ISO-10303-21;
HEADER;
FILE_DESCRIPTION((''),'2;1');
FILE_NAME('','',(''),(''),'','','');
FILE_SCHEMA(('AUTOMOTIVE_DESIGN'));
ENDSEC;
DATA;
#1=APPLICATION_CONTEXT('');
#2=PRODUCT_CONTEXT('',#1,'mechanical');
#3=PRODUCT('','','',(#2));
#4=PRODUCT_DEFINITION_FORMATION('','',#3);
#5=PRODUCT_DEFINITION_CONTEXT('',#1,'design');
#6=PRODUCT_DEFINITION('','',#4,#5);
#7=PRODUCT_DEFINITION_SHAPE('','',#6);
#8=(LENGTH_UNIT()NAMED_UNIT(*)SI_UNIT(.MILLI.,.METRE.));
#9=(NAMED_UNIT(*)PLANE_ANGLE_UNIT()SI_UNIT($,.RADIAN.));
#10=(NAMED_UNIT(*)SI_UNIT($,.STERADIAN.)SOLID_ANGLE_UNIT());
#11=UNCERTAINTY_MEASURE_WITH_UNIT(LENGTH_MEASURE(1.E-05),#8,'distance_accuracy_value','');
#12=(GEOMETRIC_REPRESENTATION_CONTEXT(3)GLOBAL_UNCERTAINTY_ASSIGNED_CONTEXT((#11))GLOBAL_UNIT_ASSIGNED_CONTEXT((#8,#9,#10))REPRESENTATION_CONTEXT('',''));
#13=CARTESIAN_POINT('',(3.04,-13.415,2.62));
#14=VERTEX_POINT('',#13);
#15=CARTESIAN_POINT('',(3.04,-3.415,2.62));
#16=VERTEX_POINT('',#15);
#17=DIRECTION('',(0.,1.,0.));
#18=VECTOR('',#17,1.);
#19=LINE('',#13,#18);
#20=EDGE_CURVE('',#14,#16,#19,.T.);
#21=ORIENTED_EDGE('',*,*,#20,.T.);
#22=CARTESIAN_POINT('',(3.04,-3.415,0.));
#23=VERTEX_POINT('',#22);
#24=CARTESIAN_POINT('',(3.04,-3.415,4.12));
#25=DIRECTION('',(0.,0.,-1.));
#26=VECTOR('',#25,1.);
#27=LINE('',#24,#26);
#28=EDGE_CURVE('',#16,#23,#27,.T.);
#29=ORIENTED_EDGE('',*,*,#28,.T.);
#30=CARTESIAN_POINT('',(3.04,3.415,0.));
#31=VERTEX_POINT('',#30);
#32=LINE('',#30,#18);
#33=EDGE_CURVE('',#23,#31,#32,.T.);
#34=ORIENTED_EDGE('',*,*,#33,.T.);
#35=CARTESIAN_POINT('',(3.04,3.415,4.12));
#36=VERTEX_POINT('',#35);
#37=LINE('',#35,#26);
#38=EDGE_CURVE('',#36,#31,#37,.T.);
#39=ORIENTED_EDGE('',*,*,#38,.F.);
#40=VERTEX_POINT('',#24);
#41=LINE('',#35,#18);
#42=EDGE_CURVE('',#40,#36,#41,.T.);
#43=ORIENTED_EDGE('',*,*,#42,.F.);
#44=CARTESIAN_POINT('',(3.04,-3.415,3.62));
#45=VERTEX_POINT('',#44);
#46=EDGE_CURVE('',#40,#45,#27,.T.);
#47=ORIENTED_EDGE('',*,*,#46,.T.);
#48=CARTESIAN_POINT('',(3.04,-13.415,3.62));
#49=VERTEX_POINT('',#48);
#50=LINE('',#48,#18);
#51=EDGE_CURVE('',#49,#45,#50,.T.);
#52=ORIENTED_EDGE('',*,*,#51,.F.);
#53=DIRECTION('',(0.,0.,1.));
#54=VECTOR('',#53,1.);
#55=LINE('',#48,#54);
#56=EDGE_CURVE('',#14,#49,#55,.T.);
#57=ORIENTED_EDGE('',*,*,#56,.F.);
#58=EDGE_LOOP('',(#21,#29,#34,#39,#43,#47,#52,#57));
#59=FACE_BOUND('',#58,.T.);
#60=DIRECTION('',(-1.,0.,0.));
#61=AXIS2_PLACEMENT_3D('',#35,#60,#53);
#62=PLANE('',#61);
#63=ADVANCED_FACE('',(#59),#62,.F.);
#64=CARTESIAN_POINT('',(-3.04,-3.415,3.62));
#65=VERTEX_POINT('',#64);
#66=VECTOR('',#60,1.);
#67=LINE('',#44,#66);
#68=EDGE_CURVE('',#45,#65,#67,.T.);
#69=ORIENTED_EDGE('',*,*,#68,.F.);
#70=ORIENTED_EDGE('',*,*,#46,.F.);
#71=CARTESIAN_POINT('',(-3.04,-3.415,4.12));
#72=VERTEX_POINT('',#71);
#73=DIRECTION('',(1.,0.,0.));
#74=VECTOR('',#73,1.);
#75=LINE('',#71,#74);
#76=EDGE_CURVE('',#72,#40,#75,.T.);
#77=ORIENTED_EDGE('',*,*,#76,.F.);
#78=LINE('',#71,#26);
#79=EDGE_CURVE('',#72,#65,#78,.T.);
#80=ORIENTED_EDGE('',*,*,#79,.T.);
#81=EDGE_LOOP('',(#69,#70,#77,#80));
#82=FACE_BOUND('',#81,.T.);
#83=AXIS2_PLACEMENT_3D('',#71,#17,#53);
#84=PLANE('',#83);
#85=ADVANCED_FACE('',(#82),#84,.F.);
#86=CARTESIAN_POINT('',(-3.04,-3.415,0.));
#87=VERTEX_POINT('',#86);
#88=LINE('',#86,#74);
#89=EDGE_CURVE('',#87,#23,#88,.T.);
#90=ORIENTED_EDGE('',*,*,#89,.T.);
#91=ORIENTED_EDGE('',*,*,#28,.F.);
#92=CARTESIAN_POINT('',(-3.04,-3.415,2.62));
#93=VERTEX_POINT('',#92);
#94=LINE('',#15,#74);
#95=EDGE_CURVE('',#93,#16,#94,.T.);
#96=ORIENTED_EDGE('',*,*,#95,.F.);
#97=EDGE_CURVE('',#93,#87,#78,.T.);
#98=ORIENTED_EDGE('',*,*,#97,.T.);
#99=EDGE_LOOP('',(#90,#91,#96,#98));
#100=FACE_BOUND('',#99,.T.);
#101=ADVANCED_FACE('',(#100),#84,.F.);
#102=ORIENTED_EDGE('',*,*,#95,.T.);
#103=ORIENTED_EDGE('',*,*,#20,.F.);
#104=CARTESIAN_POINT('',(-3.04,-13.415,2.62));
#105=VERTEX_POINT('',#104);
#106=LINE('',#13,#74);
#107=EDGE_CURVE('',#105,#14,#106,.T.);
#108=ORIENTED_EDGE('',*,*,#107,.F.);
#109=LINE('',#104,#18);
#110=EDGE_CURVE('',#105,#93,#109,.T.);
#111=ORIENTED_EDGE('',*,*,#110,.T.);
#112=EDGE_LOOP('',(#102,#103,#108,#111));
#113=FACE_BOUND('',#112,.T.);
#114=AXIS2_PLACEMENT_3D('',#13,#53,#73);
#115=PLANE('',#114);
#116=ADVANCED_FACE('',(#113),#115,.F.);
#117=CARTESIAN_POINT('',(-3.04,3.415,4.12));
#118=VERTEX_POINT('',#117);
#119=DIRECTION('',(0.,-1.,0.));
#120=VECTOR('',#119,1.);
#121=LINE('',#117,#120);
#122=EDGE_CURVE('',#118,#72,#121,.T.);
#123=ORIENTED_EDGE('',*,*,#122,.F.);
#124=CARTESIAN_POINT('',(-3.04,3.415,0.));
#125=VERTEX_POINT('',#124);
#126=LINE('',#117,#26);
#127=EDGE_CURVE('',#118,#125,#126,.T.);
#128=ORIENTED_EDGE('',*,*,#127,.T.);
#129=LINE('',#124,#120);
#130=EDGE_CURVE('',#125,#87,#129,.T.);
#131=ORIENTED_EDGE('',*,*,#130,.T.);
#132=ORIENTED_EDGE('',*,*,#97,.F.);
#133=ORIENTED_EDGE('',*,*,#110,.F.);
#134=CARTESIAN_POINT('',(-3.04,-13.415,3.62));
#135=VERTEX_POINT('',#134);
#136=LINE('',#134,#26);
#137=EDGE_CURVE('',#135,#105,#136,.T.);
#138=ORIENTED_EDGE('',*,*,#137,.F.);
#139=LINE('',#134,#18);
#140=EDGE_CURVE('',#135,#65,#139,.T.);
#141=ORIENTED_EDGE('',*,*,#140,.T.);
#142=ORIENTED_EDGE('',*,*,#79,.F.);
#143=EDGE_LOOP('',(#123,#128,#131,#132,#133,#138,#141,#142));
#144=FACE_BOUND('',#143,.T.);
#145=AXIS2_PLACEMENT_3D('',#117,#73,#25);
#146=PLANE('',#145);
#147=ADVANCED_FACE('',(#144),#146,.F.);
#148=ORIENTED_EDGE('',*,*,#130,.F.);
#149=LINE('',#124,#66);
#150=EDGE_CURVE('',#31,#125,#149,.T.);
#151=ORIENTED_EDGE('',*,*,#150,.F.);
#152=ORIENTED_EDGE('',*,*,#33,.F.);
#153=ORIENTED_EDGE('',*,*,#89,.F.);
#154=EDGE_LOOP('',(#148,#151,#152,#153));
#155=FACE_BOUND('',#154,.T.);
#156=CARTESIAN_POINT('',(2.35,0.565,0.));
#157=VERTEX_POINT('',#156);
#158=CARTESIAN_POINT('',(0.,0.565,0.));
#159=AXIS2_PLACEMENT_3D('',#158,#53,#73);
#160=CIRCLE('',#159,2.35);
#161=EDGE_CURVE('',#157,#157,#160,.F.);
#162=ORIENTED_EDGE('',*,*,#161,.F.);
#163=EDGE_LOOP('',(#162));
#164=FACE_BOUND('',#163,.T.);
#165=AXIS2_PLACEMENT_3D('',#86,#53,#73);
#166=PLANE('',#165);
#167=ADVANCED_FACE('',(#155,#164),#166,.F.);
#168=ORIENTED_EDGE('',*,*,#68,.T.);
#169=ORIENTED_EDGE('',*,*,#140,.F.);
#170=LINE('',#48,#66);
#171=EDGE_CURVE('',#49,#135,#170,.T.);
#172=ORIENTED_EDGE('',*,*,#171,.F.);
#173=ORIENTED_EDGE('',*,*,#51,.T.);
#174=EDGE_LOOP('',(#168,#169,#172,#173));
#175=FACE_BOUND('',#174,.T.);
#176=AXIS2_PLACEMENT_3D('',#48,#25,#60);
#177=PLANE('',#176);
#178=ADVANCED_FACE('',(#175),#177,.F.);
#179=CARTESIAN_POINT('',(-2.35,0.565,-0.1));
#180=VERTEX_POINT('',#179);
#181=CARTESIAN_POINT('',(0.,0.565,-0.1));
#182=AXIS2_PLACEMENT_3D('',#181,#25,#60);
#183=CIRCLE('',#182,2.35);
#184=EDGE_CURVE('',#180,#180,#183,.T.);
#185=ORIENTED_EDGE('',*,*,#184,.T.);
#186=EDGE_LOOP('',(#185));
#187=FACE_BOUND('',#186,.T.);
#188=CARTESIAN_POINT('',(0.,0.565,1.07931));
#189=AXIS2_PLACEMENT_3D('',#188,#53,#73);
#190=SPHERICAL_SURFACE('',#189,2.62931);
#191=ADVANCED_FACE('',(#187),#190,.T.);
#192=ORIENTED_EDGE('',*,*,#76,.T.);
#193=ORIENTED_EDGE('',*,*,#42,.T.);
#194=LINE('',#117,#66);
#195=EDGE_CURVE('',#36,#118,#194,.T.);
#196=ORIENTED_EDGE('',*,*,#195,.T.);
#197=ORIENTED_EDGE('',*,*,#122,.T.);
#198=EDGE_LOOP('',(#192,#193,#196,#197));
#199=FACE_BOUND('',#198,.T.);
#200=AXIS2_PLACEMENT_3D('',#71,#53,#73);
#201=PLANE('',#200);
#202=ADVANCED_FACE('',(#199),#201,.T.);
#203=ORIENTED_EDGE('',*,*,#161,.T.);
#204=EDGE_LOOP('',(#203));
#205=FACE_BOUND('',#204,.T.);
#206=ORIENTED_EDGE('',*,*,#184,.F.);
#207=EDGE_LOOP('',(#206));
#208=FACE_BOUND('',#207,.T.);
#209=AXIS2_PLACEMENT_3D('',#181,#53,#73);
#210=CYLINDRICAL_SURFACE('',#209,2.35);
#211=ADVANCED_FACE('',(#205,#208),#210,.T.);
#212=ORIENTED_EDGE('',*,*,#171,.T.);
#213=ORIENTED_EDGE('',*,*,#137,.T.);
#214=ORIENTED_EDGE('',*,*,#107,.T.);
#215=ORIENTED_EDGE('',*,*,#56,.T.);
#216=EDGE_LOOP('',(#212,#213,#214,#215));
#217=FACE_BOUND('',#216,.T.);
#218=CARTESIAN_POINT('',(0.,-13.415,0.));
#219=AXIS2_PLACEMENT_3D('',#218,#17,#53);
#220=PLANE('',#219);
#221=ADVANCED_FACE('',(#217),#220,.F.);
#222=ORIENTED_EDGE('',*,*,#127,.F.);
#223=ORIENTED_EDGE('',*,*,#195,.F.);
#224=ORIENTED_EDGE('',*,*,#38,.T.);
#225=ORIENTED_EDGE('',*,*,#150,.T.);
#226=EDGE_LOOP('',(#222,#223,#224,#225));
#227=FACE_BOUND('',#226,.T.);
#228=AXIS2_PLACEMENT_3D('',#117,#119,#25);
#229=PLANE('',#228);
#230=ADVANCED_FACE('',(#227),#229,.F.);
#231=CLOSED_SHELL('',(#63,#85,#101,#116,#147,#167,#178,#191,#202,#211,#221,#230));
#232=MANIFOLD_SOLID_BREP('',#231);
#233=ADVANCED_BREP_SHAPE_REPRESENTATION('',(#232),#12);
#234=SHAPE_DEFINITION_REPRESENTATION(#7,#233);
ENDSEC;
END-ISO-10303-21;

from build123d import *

# Parameters (mm, degrees)
SKETCH_1_W         = 6.08
SKETCH_1_H         = 6.83
EXTRUDE_1_DEPTH    = 4.12
SKETCH_2_R         = 2.35
EXTRUDE_2_DEPTH    = 0.1
DOME_1_FACE_RADIUS = 2.35
DOME_1_HEIGHT      = 1.45
SKETCH_4_W         = 6.08
SKETCH_4_H         = 1
EXTRUDE_1_2_DEPTH  = 10


with BuildPart() as part:
    # 草图1 → Extrude 1 (new body)
    with BuildSketch(Plane.XY):
        Rectangle(SKETCH_1_W, SKETCH_1_H)
    extrude(amount=EXTRUDE_1_DEPTH)

    # 草图2 → 拉伸2 (add)
    with BuildSketch(Plane(origin=(0, 0, 0), x_dir=(-1, 0, 0), z_dir=(0, 0, -1))):
        with Locations(Location((0, 0.565, 0), (0, 0, 180))):
            Circle(SKETCH_2_R)
    extrude(amount=EXTRUDE_2_DEPTH)

    # 圆顶1: a dome of height H over a round flat face of radius A is a cap of a sphere of radius (A * A + H * H) / (2 * H)
    dome_1_r = (DOME_1_FACE_RADIUS * DOME_1_FACE_RADIUS + DOME_1_HEIGHT * DOME_1_HEIGHT) / (2 * DOME_1_HEIGHT)
    dome_1_base = Plane((0, 0.565, -0.1), z_dir=(0, 0, -1))
    with Locations(dome_1_base.offset(DOME_1_HEIGHT - dome_1_r)):
        dome_1_ball = Sphere(dome_1_r, mode=Mode.PRIVATE)
    add(split(dome_1_ball, bisect_by=dome_1_base, keep=Keep.TOP, mode=Mode.PRIVATE))

    # 草图4 → Extrude 1 2 (add)
    with BuildSketch(Plane.XZ.offset(3.415)):
        with Locations((0, 3.12)):
            Rectangle(SKETCH_4_W, SKETCH_4_H)
    extrude(amount=EXTRUDE_1_2_DEPTH)


solid = part.part
